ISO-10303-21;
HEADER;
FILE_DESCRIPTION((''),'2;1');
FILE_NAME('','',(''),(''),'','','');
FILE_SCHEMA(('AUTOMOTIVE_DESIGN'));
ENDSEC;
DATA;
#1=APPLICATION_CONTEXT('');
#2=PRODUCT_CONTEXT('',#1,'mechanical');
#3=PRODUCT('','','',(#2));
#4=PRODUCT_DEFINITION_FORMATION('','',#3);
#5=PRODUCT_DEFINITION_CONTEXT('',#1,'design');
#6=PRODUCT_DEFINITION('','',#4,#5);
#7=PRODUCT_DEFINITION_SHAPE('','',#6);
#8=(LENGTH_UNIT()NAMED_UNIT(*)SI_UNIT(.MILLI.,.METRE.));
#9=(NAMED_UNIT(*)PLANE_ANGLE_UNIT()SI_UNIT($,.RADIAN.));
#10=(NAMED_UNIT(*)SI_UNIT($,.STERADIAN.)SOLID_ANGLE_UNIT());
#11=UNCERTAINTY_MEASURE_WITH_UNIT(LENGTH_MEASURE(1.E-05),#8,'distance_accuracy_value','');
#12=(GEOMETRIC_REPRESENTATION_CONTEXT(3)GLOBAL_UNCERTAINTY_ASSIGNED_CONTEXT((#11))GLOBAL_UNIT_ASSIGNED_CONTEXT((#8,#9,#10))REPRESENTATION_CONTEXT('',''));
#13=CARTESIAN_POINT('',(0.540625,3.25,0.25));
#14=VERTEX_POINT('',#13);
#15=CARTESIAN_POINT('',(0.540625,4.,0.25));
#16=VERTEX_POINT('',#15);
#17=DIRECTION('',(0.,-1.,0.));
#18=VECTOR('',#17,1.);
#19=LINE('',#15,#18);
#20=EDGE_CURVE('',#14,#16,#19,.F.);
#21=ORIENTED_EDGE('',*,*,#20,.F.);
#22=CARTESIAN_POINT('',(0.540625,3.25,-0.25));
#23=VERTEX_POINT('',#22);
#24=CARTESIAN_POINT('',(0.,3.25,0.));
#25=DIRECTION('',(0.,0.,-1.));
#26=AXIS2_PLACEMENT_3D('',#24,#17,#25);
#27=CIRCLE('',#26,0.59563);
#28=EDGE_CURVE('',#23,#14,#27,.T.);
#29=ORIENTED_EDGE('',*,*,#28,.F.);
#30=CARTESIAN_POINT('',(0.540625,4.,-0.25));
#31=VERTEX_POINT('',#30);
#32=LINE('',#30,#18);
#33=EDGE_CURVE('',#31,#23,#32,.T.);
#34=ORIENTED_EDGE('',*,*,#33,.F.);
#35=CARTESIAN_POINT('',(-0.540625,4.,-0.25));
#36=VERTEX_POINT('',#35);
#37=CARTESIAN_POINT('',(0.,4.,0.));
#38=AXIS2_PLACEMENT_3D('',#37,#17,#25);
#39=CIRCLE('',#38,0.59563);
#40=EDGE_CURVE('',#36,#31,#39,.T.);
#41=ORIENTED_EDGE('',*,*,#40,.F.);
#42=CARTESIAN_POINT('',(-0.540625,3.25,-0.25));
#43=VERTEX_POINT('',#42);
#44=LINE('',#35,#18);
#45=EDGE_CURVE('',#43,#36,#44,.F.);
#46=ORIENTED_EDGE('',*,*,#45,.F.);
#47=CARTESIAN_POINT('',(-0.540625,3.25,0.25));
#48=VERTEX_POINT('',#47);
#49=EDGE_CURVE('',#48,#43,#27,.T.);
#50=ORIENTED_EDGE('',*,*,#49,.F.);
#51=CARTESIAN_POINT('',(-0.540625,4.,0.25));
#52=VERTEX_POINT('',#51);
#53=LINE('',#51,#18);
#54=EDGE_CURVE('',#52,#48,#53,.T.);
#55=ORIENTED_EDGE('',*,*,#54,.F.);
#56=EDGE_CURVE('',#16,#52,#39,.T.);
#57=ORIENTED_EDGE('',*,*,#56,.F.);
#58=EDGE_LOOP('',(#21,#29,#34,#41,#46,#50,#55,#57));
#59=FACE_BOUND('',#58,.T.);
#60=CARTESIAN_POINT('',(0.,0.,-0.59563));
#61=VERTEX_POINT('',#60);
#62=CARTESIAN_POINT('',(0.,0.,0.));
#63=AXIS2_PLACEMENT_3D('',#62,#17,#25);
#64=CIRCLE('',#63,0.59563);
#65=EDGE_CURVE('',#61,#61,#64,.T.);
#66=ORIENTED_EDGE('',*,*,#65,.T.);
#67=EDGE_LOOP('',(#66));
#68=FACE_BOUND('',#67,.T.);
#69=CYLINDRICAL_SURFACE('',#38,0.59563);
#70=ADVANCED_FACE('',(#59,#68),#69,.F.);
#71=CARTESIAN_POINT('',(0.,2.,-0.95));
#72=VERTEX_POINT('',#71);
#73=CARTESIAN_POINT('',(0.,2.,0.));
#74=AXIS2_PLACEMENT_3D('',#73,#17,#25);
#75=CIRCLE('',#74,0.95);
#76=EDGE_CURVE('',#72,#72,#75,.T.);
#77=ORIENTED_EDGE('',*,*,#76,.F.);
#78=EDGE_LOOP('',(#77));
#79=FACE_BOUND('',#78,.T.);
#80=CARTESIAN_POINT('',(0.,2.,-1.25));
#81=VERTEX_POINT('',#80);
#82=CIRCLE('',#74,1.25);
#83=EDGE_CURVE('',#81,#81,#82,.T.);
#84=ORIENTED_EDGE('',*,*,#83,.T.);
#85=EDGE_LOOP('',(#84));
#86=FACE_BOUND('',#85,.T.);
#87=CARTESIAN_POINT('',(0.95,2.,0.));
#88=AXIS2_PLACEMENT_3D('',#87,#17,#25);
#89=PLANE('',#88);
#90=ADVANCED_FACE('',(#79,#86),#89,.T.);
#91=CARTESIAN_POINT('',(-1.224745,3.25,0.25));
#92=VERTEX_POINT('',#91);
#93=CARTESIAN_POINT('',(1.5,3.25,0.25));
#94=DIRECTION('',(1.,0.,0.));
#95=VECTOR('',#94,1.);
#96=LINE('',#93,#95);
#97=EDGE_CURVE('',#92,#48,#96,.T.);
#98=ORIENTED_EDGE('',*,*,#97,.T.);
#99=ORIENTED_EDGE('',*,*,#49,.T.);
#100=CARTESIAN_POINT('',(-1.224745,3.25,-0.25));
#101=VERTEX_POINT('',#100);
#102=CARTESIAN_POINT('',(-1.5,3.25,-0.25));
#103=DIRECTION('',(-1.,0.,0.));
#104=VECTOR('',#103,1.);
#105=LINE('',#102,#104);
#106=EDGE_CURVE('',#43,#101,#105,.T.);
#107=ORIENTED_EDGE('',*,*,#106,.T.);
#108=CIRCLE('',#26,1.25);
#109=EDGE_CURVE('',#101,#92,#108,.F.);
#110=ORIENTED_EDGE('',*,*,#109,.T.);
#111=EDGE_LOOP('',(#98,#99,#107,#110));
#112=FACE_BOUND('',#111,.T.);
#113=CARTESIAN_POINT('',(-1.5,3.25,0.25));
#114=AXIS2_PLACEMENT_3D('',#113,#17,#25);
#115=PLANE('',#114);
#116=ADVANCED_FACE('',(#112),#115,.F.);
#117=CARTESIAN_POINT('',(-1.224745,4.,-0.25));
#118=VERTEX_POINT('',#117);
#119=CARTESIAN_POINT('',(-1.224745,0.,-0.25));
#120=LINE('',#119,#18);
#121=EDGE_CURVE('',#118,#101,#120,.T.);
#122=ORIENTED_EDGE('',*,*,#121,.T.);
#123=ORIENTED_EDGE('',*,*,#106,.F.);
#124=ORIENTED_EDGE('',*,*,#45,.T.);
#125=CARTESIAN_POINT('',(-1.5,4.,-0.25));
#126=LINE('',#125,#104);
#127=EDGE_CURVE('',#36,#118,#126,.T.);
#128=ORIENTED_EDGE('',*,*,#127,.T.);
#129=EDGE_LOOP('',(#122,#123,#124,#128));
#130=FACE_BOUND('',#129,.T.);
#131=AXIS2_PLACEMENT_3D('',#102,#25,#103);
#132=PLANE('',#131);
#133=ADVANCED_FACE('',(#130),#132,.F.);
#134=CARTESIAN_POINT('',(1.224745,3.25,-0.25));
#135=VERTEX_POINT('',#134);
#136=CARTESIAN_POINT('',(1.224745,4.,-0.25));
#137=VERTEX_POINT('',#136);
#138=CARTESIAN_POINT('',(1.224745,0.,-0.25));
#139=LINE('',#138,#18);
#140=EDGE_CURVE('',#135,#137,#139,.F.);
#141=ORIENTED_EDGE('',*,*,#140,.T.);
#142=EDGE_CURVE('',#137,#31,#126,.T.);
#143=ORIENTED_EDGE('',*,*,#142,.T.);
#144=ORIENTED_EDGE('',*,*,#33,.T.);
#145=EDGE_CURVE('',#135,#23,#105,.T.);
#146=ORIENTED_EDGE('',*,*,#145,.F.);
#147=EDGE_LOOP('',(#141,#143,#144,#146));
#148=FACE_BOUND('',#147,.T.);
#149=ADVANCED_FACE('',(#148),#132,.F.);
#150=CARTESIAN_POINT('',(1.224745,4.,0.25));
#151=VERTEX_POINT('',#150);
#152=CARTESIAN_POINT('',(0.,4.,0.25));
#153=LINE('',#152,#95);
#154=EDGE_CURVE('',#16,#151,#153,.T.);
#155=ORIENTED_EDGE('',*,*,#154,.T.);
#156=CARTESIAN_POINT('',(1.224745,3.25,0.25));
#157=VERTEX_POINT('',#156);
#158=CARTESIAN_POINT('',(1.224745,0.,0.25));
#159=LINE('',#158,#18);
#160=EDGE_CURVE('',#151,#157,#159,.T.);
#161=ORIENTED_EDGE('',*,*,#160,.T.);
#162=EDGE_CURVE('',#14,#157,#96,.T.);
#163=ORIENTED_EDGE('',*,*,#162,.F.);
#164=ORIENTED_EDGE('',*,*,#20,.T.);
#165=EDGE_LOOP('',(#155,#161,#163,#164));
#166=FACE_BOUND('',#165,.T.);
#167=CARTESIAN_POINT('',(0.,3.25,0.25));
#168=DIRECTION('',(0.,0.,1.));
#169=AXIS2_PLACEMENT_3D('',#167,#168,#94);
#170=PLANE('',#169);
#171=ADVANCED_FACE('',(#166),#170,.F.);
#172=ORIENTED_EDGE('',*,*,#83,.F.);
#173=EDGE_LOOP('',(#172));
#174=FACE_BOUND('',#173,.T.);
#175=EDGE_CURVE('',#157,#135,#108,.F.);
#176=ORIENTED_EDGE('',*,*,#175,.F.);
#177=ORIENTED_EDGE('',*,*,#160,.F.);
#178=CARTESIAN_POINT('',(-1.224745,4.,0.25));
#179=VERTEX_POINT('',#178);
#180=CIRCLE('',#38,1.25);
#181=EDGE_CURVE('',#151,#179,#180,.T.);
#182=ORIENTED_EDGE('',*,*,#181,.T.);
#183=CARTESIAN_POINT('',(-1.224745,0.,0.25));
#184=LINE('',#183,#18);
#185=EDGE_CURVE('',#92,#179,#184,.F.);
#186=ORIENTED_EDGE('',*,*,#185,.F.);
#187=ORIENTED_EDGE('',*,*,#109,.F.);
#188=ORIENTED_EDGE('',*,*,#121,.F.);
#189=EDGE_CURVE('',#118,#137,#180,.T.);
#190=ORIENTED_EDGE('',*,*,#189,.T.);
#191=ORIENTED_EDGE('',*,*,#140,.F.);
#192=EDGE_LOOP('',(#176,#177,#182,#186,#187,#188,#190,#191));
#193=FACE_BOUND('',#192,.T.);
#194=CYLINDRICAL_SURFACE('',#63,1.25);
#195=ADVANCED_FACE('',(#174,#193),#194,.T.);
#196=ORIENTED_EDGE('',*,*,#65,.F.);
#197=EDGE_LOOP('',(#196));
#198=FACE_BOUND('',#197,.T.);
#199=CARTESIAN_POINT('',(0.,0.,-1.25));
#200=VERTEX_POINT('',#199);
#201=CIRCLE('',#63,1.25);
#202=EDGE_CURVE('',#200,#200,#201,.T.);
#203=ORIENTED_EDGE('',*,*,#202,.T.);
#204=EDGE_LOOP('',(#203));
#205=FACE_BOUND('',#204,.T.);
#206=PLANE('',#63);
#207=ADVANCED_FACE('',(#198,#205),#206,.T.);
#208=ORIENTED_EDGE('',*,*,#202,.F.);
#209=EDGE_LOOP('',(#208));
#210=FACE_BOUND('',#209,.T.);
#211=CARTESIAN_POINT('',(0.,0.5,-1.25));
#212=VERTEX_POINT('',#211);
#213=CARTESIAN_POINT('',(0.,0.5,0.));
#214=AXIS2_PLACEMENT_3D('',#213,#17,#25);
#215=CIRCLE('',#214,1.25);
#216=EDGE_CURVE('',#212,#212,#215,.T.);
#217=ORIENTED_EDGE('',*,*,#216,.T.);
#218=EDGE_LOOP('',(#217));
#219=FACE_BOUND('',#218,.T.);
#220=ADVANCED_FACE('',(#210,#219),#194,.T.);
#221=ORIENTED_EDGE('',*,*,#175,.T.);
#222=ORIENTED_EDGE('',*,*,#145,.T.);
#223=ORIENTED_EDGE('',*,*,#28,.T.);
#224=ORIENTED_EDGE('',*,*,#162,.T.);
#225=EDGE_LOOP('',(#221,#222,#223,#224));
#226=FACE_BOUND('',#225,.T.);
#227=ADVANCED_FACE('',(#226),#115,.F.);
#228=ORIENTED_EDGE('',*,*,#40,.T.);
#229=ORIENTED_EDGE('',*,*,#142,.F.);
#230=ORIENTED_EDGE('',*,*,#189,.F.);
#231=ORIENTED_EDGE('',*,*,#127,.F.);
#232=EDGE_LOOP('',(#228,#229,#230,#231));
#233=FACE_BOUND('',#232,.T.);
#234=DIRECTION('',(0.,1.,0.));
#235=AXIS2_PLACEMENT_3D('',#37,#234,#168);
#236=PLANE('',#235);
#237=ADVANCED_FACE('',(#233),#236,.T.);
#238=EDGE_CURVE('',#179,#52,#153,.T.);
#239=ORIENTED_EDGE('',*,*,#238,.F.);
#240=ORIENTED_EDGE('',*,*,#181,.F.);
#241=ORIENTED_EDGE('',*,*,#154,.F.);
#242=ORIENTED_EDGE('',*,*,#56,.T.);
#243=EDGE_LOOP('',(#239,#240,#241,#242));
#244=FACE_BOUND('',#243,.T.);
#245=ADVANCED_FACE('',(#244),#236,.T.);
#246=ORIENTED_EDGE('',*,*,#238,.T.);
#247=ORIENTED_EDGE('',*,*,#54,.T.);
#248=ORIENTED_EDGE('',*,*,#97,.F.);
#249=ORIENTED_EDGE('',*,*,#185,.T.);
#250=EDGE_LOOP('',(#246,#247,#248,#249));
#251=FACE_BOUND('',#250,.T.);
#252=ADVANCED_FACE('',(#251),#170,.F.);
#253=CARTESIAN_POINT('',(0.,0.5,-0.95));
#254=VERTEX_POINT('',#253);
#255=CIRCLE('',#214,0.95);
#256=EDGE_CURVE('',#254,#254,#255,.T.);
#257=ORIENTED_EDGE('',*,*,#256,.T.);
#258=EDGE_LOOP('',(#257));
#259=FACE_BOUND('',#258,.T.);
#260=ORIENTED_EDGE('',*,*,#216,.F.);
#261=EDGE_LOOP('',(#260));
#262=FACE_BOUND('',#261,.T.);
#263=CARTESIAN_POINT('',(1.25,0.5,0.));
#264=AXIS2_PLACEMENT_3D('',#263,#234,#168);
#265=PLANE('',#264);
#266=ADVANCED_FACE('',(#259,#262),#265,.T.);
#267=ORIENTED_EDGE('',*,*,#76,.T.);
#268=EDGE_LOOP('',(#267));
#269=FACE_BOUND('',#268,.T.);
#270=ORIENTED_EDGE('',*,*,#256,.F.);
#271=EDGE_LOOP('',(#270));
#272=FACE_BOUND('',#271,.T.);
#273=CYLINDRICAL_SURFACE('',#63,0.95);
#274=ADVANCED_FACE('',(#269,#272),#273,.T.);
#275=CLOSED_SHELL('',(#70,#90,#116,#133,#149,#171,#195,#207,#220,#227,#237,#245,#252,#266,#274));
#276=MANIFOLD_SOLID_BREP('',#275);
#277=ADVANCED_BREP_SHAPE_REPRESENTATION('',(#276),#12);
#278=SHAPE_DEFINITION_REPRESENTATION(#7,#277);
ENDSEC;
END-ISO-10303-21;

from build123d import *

# Parameters (mm, degrees)
CUT_EXTRUDE1_DEPTH = 0.75
SKETCH3_R          = 0.59563
CUT_EXTRUDE2_DEPTH = 5


with BuildPart() as part:
    # Sketch1 → Revolve1 (revolve)
    with BuildSketch(Plane.XY):
        Polygon((0, 0), (1.25, 0), (1.25, 0.5), (0.95, 0.5), (0.95, 2), (1.25, 2), (1.25, 4), (0, 4), align=None)
    revolve(axis=Axis((0, 0, 0), (0, 1, 0)))

    # Sketch2 → Cut-Extrude1 (cut)
    with BuildSketch(Plane(origin=(0, 4, 0), x_dir=(1, 0, 0), z_dir=(0, 1, 0))):
        Polygon((0, -0.25), (-1.5, -0.25), (-1.5, 0.25), (1.5, 0.25), (1.5, -0.25), align=None)
    extrude(amount=-CUT_EXTRUDE1_DEPTH, mode=Mode.SUBTRACT)

    # Sketch3 → Cut-Extrude2 (cut, through all)
    with BuildSketch(Plane.XZ):
        Circle(SKETCH3_R)
    extrude(amount=-CUT_EXTRUDE2_DEPTH, mode=Mode.SUBTRACT)


solid = part.part
